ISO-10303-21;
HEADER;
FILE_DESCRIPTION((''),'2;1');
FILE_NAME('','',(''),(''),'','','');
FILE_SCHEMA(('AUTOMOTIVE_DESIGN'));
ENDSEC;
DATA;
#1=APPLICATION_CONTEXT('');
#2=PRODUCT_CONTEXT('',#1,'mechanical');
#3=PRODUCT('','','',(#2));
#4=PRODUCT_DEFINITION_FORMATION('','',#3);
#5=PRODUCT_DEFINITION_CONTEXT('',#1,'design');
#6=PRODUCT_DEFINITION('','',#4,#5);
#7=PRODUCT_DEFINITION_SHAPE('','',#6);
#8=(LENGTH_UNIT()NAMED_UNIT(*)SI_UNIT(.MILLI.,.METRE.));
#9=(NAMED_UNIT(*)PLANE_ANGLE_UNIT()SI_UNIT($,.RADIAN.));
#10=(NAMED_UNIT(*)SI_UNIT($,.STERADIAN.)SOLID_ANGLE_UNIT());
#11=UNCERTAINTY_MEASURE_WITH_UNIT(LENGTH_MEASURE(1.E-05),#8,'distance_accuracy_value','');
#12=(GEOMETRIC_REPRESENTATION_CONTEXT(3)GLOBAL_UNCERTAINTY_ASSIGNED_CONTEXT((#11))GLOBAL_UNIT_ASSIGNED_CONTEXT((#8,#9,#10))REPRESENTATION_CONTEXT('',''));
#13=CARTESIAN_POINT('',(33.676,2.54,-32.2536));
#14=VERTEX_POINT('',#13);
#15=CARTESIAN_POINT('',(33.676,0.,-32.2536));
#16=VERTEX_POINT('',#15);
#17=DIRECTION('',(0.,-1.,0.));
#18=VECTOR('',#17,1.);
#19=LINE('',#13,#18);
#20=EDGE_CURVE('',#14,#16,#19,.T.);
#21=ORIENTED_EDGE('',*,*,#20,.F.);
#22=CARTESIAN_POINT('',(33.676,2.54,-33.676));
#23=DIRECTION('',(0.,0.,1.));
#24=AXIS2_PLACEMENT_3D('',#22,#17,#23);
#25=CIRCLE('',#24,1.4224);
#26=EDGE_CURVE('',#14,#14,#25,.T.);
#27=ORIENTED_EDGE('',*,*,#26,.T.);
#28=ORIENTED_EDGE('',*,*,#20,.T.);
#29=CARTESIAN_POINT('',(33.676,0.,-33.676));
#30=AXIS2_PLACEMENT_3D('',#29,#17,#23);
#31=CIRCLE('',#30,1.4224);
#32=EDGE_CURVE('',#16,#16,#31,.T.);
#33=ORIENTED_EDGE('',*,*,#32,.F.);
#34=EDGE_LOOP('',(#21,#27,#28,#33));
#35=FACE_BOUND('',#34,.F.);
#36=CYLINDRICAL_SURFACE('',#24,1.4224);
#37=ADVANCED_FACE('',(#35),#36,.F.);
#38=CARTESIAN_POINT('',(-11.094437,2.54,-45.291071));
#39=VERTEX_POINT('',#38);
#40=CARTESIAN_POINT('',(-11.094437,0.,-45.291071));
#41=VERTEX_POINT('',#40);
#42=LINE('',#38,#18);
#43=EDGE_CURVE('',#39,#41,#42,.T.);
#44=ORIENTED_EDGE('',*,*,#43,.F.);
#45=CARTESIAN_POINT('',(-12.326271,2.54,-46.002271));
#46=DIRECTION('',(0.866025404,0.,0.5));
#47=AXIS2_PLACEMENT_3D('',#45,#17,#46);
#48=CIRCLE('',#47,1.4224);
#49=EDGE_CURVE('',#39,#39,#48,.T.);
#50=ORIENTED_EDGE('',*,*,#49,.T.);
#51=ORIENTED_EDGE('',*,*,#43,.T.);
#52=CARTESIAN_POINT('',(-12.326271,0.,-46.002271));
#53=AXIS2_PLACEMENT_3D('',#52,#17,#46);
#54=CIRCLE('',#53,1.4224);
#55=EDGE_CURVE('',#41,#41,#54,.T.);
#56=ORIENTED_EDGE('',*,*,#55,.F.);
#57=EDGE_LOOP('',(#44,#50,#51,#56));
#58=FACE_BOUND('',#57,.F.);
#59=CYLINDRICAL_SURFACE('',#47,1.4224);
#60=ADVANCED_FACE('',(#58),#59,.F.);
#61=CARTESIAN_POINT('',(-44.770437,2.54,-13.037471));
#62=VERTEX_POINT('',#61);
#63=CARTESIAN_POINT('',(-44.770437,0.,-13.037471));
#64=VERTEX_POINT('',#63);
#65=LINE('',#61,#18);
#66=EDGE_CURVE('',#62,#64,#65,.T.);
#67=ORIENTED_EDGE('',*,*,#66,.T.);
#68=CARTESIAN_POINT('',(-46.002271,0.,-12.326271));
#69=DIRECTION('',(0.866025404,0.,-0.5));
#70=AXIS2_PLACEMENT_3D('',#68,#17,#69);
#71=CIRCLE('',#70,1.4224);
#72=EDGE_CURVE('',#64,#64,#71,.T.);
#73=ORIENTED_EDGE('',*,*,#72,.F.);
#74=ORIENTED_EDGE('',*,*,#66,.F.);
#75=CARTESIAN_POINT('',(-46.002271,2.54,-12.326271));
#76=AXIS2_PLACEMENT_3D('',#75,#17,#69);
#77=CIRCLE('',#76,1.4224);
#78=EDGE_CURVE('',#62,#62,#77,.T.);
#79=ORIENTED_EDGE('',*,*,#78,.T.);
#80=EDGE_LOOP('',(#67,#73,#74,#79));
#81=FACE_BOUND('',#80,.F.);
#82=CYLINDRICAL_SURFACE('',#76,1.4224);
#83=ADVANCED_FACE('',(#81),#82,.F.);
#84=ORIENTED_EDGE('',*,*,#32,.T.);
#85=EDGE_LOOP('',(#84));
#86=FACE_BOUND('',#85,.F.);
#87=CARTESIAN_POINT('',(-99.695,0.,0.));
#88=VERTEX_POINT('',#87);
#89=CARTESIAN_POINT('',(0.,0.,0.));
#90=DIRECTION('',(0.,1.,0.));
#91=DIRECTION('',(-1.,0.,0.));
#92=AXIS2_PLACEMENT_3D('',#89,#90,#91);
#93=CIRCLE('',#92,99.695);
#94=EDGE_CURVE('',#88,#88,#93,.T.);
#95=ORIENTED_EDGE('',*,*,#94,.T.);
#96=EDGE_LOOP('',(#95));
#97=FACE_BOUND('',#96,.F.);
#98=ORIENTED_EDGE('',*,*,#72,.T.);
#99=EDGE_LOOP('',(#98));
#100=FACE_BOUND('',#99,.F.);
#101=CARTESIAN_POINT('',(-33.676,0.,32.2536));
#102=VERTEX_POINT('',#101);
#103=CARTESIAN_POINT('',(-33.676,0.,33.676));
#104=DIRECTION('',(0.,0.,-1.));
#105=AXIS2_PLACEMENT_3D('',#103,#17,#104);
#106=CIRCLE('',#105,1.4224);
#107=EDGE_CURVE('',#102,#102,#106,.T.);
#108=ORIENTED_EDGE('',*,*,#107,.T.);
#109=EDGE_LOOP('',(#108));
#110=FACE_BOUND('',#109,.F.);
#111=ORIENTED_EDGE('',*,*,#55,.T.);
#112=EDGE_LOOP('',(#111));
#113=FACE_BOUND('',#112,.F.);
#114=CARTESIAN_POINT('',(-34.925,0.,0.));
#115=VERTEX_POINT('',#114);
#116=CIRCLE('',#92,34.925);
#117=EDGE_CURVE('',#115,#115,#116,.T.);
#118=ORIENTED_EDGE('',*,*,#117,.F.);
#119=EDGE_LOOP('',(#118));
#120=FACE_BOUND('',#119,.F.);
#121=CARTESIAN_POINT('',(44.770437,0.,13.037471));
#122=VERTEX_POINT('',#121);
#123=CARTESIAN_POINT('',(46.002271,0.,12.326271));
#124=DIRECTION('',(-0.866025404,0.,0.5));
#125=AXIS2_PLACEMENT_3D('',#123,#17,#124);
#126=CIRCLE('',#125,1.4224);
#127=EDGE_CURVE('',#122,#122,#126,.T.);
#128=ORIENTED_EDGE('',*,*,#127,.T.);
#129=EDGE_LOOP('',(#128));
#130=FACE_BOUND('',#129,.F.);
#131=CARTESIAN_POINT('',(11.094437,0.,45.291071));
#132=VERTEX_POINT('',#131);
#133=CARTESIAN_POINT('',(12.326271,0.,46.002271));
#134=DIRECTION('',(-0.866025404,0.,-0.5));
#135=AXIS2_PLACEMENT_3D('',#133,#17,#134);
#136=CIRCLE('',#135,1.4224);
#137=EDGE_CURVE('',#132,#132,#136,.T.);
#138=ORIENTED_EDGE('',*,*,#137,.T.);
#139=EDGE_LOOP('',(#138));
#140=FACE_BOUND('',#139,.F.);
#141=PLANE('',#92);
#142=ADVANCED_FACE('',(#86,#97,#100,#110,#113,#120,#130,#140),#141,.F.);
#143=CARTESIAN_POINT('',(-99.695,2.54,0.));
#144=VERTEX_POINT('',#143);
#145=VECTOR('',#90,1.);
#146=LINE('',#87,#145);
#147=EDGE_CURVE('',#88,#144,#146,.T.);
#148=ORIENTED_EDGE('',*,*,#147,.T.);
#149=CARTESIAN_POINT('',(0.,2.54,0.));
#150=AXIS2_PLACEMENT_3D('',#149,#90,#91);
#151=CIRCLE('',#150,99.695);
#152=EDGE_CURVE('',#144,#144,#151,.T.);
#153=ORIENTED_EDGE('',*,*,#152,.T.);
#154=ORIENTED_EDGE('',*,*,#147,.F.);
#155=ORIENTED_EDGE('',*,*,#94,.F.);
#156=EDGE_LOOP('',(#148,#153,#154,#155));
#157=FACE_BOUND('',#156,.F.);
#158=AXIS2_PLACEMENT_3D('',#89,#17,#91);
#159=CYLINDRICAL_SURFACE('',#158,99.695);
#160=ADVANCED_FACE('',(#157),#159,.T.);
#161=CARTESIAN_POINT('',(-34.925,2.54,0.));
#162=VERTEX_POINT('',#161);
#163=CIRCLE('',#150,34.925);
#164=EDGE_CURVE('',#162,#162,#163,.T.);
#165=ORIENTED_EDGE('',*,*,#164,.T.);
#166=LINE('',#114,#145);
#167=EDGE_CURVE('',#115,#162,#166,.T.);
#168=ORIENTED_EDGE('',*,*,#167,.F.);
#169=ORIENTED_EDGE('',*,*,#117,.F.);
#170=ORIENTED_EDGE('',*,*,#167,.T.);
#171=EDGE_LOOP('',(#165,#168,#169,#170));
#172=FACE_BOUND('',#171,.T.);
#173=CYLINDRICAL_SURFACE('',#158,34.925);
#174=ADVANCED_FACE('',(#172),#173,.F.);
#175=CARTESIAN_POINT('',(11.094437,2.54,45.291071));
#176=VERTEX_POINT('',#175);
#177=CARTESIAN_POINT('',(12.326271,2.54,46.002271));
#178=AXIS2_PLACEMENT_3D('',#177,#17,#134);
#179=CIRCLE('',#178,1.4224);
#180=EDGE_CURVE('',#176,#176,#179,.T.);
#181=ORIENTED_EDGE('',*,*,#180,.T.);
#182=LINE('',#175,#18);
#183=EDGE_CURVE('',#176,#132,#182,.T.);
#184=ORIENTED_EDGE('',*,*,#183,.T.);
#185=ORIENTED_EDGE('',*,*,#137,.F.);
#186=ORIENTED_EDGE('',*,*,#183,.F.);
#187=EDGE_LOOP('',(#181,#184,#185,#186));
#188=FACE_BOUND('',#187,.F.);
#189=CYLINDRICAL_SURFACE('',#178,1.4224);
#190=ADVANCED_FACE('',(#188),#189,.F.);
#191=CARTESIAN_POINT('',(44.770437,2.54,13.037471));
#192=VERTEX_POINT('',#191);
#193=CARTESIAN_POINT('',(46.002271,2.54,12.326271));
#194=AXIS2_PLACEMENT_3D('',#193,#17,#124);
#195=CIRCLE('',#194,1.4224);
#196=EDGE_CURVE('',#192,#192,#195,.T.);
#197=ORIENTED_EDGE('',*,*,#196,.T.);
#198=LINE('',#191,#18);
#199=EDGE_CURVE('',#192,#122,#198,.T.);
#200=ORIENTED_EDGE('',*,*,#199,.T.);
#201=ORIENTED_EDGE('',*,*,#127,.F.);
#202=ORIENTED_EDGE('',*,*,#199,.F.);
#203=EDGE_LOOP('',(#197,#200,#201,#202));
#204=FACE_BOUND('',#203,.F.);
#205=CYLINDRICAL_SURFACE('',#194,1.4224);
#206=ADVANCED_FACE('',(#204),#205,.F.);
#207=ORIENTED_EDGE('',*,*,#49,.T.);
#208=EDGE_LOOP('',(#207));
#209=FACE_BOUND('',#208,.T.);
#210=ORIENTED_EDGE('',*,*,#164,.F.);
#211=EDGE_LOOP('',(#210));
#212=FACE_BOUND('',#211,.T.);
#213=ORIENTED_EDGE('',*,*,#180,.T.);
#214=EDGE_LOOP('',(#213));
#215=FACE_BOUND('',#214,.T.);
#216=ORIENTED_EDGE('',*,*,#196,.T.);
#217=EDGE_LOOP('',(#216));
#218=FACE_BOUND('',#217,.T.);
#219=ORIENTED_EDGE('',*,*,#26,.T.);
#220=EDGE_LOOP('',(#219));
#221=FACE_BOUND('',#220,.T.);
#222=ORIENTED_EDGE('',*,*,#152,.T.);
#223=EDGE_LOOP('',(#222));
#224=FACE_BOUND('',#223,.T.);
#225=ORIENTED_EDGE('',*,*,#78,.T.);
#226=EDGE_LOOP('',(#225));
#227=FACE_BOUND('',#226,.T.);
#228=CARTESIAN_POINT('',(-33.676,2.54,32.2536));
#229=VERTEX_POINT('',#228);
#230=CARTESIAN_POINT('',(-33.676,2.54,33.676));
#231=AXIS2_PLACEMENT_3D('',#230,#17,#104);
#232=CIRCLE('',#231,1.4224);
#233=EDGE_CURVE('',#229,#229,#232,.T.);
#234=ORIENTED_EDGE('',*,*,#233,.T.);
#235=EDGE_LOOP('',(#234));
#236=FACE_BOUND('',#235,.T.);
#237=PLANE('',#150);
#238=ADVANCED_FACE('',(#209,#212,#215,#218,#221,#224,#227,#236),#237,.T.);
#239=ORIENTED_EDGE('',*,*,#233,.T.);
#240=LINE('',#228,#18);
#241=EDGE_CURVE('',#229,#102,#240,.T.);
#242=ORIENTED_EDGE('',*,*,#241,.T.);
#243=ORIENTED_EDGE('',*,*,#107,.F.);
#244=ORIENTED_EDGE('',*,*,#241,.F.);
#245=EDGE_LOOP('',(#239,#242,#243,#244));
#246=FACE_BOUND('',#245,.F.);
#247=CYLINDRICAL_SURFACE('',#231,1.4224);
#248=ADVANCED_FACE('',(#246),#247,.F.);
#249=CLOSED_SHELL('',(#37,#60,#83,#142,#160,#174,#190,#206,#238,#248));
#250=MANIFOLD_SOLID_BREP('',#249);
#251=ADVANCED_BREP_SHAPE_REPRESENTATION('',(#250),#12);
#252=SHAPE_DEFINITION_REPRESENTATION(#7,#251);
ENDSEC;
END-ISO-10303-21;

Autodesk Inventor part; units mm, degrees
ref_plane "YZ Plane" through (0, 0, 0) normal (1, 0, 0) x (0, 1, 0)
ref_plane "XZ Plane" through (0, 0, 0) normal (0, 1, 0) x (-1, 0, 0)
ref_plane "XY Plane" through (0, 0, 0) normal (0, 0, 1) x (1, 0, 0)
sketch "Sketch1" plane through (0, 0, 0) normal (0, 1, 0) x (-1, 0, 0)
  circle A0 centre (0, 0) radius 99.695
  circle A1 centre (0, 0) radius 34.925
  dimension "d0" = 199.39
  dimension "d16" = 69.85
extrude "Extrusion1" add sketch "Sketch1" along normal blind 2.54
sketch "Sketch2" plane through (0, 2.54, 0) normal (0, 1, 0) x (1, 0, 0)
  line L0 (0, 0) -> (33.676, 33.676) construction
  line L1 (0, 0) -> (47.625, 0) construction
  dimension "d4" = 47.625
  dimension "d5" = 45
hole "Hole1" at (33.676, 2.54, -33.676) direction (0, -1, 0) diameter 2.8448 end through all
pattern_circular "Circular Pattern1" count 6 over 360 about axis through (0, 0, 0) along (0, 1, 0) of "Hole1"
properties part number "4K shield bottom" material "Brass, Soft Yellow"
